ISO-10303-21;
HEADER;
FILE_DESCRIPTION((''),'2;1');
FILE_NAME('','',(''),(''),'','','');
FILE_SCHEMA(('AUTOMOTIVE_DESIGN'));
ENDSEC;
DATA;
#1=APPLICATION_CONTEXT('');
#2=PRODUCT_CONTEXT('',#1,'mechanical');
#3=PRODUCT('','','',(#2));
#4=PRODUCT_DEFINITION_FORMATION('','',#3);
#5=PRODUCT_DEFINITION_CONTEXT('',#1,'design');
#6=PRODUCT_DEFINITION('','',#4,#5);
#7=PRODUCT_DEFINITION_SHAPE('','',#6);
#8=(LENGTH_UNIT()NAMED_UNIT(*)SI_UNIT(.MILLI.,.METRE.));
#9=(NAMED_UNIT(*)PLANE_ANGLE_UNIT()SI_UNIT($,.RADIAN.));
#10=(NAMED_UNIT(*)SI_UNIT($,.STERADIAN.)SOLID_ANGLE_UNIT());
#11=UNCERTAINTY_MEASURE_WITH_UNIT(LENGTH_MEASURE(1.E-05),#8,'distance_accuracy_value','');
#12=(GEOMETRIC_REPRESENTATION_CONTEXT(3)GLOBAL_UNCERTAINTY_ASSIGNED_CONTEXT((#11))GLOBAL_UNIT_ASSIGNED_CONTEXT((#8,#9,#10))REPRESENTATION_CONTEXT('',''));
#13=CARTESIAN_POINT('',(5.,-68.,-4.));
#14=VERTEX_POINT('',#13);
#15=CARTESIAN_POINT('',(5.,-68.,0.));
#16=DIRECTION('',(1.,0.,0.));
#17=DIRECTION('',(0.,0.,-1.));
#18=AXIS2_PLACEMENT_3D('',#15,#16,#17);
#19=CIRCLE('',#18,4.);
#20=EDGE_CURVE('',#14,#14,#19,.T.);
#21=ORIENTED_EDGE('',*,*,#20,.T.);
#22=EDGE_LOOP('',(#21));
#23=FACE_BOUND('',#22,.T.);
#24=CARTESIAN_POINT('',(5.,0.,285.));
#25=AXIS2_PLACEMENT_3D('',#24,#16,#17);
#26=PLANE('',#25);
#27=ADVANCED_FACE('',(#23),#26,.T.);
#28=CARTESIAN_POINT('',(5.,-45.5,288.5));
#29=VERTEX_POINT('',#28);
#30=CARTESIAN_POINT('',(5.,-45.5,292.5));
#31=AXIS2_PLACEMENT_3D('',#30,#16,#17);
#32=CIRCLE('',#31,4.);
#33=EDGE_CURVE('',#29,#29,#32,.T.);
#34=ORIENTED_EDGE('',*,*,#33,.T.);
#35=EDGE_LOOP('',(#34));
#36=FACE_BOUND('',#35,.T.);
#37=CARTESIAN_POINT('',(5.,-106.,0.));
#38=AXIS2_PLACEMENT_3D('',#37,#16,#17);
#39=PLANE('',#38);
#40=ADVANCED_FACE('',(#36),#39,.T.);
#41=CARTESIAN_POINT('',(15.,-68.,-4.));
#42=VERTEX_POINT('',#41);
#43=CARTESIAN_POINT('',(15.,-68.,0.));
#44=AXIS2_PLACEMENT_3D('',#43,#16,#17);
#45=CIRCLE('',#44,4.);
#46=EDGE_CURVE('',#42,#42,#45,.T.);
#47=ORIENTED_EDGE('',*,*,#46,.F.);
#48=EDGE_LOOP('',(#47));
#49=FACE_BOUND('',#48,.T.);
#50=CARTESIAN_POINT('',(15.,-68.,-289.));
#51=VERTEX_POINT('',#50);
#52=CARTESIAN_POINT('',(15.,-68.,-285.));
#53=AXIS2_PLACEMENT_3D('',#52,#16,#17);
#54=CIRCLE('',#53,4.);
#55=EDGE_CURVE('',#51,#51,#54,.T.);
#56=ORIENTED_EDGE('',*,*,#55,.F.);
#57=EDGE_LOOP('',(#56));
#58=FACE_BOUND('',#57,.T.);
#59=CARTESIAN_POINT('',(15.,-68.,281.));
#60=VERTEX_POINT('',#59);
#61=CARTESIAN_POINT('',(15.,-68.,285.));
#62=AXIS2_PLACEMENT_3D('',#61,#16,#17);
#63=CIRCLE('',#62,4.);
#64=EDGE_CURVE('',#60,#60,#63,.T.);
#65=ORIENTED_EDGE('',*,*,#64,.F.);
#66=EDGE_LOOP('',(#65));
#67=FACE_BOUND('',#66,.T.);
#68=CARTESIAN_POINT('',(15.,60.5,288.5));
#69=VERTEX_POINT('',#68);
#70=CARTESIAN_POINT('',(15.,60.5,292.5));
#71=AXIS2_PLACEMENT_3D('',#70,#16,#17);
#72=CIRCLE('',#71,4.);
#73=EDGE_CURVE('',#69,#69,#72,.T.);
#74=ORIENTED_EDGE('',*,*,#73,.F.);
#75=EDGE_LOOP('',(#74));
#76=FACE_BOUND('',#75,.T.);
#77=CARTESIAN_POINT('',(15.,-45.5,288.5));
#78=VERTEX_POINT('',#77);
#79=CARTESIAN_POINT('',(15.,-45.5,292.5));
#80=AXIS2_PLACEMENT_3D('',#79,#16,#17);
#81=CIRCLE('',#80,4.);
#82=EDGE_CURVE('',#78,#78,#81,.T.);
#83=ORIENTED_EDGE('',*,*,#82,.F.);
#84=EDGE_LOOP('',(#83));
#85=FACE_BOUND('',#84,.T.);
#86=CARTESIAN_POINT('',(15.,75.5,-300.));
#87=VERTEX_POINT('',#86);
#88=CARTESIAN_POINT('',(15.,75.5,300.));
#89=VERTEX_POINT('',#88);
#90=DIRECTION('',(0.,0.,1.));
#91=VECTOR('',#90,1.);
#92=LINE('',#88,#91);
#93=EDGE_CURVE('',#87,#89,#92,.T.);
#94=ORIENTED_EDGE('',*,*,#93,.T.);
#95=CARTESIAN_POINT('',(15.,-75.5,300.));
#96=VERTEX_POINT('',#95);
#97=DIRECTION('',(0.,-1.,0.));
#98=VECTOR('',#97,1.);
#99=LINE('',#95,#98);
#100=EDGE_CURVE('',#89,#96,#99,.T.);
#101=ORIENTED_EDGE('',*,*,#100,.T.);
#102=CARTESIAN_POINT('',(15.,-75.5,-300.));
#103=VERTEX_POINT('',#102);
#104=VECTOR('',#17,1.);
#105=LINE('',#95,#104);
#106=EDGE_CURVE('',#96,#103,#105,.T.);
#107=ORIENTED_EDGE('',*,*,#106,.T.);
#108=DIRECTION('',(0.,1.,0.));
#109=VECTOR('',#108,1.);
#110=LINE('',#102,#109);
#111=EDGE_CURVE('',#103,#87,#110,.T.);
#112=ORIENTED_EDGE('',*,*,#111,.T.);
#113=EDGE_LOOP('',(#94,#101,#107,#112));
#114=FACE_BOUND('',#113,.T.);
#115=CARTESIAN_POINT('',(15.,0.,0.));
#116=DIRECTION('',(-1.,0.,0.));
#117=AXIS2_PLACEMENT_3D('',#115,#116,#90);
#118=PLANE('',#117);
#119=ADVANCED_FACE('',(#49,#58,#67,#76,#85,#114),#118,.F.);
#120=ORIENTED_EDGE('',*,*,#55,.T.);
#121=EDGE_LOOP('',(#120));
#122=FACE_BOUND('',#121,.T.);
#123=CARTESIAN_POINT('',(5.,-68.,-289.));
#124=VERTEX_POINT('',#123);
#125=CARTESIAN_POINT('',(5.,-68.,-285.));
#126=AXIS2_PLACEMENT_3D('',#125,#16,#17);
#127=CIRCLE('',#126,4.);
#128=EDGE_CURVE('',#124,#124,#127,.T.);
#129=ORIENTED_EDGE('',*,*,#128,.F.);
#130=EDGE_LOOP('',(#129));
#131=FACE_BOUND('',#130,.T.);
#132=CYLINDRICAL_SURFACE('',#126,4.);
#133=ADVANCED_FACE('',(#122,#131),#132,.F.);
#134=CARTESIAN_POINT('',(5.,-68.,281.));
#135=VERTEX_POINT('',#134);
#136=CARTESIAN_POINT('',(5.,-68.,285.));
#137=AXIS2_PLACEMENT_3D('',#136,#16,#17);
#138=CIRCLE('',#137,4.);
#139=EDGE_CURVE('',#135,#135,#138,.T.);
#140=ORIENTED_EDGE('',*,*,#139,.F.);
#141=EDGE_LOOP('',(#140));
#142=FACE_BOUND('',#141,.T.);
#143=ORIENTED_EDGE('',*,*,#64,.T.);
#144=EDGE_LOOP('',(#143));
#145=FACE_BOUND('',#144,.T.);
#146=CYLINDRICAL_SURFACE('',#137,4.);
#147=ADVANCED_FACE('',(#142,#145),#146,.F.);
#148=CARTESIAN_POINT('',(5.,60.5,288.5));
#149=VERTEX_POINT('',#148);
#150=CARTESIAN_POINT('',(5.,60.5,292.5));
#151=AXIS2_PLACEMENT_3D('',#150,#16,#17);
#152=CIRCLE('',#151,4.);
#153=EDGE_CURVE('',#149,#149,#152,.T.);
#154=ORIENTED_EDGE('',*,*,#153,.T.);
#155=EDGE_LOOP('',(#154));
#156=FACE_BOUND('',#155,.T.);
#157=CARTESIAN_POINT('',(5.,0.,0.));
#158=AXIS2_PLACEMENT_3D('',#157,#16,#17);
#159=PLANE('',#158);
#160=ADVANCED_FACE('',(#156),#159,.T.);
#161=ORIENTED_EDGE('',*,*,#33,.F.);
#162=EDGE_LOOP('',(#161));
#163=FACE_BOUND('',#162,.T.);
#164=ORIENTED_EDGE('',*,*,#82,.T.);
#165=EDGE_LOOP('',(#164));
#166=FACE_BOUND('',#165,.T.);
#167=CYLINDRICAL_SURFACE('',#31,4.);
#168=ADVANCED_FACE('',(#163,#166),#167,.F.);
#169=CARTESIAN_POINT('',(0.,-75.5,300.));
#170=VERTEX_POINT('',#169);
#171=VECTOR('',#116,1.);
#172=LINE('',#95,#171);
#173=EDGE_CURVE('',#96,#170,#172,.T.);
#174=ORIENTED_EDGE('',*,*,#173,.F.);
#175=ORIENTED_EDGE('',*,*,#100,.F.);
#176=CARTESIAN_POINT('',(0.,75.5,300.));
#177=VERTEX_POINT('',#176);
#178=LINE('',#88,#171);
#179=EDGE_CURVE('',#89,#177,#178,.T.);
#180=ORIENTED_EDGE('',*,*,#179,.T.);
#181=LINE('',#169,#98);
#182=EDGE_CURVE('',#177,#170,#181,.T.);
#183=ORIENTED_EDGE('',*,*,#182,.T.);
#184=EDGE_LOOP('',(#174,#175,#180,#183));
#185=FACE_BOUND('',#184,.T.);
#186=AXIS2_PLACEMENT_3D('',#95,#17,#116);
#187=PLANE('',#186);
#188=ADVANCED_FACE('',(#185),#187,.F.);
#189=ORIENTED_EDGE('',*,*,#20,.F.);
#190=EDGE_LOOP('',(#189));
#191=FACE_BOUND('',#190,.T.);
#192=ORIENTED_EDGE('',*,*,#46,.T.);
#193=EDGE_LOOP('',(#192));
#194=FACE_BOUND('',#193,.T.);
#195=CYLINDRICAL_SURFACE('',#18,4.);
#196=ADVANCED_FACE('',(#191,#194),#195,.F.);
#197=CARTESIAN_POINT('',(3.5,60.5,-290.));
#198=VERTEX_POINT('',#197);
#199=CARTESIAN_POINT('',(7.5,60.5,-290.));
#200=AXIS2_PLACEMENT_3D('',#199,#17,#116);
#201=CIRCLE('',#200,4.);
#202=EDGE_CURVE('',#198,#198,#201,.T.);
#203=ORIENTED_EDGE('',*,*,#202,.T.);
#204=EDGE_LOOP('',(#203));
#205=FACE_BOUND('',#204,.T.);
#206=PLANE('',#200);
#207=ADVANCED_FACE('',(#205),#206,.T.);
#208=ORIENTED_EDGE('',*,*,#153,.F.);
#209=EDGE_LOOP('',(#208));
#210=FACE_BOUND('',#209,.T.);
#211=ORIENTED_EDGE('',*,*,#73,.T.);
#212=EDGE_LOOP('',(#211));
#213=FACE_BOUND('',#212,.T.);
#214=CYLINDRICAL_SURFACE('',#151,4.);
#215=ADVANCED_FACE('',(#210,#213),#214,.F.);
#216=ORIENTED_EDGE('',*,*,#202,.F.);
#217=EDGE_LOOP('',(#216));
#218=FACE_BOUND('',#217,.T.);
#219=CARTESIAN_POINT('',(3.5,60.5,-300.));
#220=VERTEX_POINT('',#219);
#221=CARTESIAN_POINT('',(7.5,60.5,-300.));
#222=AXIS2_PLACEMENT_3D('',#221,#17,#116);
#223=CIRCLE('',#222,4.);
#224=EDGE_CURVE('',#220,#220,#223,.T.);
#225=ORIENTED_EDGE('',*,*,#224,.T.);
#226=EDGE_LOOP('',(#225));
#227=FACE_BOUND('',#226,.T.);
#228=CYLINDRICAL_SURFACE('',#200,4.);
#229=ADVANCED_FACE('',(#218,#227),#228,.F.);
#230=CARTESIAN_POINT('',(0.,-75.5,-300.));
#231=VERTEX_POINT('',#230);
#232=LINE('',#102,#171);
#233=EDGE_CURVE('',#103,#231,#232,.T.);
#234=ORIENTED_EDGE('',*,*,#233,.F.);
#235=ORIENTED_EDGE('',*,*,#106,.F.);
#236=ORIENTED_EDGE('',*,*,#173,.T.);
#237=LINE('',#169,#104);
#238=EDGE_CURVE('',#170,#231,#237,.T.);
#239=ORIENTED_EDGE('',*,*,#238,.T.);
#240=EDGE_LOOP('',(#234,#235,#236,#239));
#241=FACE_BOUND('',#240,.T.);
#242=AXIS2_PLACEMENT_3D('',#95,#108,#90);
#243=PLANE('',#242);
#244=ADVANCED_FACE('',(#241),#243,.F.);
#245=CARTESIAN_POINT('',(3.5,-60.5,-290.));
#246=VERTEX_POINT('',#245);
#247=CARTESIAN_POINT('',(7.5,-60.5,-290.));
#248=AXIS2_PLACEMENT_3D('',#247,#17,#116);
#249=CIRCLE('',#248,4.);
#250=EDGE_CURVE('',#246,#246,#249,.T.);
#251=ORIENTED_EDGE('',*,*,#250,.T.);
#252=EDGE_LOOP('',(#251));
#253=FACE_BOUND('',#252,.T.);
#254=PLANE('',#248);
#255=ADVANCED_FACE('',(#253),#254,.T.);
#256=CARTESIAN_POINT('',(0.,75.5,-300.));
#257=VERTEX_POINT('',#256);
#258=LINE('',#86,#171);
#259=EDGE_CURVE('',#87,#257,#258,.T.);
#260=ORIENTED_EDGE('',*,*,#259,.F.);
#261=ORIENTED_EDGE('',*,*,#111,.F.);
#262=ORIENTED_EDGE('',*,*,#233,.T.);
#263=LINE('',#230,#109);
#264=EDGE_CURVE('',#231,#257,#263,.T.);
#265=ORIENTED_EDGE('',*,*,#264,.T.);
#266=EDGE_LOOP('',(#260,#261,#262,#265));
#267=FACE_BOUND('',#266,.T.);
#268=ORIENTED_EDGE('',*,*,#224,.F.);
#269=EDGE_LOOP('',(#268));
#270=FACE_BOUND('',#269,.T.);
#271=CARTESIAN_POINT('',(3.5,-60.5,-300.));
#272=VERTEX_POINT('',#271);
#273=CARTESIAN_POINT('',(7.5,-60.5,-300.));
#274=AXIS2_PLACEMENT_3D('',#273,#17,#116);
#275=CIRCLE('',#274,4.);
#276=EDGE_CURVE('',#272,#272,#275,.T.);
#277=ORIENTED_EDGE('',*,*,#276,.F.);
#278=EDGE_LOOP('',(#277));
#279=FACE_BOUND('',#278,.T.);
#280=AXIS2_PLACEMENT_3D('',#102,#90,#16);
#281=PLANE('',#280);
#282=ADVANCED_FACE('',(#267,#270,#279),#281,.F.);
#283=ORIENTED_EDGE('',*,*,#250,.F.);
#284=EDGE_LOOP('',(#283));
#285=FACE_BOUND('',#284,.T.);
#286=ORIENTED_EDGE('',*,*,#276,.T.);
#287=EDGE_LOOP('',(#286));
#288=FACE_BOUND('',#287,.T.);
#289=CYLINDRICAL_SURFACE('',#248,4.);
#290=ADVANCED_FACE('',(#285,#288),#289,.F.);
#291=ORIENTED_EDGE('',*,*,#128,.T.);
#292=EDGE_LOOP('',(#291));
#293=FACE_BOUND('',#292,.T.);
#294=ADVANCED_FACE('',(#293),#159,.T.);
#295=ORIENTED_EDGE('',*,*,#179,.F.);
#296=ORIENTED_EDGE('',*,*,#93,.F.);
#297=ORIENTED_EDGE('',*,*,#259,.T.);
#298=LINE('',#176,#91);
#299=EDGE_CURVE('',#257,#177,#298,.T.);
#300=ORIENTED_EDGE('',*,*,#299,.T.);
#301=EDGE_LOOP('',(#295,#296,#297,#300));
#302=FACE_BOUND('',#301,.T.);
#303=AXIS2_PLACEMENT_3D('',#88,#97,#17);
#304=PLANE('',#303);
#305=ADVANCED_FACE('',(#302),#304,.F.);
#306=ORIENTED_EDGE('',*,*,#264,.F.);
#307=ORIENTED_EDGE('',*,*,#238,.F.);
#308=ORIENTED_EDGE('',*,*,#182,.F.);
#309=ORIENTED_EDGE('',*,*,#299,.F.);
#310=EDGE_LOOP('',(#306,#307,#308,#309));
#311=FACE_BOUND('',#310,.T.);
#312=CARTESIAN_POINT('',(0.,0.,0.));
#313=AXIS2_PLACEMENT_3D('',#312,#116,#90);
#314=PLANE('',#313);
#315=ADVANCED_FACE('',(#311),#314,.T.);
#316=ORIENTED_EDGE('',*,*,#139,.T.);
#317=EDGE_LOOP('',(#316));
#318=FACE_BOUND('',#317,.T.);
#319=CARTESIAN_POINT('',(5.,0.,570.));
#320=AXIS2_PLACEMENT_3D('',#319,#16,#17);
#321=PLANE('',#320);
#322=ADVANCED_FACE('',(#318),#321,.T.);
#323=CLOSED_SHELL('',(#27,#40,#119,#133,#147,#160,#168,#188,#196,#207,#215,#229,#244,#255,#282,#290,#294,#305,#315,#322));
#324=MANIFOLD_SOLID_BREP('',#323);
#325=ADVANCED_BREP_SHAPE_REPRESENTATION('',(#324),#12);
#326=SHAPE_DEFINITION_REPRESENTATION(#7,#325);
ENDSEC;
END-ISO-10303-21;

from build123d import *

# Parameters (mm, degrees)
SKETCH1_W           = 600
SKETCH1_H           = 151
BOSS_EXTRUDE1_DEPTH = 15
SKETCH2_R           = 4
CUT_EXTRUDE1_DEPTH  = 10
SKETCH2_3_R         = 4
CUT_EXTRUDE2_DEPTH  = 10
LPATTERN1_COUNT     = 3
LPATTERN1_PITCH     = 285
LPATTERN2_COUNT     = 2
LPATTERN2_PITCH     = 106
SKETCH5_R           = 4
CUT_EXTRUDE5_DEPTH  = 10
LPATTERN5_COUNT     = 2
LPATTERN5_PITCH     = 121


with BuildPart() as part:
    # Sketch1 → Boss-Extrude1 (new body)
    with BuildSketch(Plane(origin=(0, 0, 0), x_dir=(0, 0, -1), z_dir=(1, 0, 0))):
        Rectangle(SKETCH1_W, SKETCH1_H)
    extrude(amount=BOSS_EXTRUDE1_DEPTH)

    # Sketch2 → Cut-Extrude1 (cut)
    with BuildSketch(Plane(origin=(15, 0, 0), x_dir=(0, 0, -1), z_dir=(1, 0, 0))):
        with Locations((285, -68)):
            Circle(SKETCH2_R)
    cut_extrude1 = extrude(amount=-CUT_EXTRUDE1_DEPTH, mode=Mode.SUBTRACT)

    # Sketch2<3> → Cut-Extrude2 (cut)
    with BuildSketch(Plane(origin=(15, 0, 0), x_dir=(0, 0, -1), z_dir=(1, 0, 0))):
        with Locations((-292.5, 60.5)):
            Circle(SKETCH2_3_R)
    cut_extrude2 = extrude(amount=-CUT_EXTRUDE2_DEPTH, mode=Mode.SUBTRACT)

    # LPattern1: Cut-Extrude1 ×3
    with Locations(*[(0, 0, i * LPATTERN1_PITCH) for i in range(1, LPATTERN1_COUNT)]):
        add(cut_extrude1, mode=Mode.SUBTRACT)

    # LPattern2: Cut-Extrude2 ×2
    with Locations(*[(0, -i * LPATTERN2_PITCH, 0) for i in range(1, LPATTERN2_COUNT)]):
        add(cut_extrude2, mode=Mode.SUBTRACT)

    # Sketch5 → Cut-Extrude5 (cut)
    with BuildSketch(Plane(origin=(0, 0, -300), x_dir=(-1, 0, 0), z_dir=(0, 0, -1))):
        with Locations((-7.5, 60.5)):
            Circle(SKETCH5_R)
    cut_extrude5 = extrude(amount=-CUT_EXTRUDE5_DEPTH, mode=Mode.SUBTRACT)

    # LPattern5: Cut-Extrude5 ×2
    with Locations(*[(0, -i * LPATTERN5_PITCH, 0) for i in range(1, LPATTERN5_COUNT)]):
        add(cut_extrude5, mode=Mode.SUBTRACT)


solid = part.part
